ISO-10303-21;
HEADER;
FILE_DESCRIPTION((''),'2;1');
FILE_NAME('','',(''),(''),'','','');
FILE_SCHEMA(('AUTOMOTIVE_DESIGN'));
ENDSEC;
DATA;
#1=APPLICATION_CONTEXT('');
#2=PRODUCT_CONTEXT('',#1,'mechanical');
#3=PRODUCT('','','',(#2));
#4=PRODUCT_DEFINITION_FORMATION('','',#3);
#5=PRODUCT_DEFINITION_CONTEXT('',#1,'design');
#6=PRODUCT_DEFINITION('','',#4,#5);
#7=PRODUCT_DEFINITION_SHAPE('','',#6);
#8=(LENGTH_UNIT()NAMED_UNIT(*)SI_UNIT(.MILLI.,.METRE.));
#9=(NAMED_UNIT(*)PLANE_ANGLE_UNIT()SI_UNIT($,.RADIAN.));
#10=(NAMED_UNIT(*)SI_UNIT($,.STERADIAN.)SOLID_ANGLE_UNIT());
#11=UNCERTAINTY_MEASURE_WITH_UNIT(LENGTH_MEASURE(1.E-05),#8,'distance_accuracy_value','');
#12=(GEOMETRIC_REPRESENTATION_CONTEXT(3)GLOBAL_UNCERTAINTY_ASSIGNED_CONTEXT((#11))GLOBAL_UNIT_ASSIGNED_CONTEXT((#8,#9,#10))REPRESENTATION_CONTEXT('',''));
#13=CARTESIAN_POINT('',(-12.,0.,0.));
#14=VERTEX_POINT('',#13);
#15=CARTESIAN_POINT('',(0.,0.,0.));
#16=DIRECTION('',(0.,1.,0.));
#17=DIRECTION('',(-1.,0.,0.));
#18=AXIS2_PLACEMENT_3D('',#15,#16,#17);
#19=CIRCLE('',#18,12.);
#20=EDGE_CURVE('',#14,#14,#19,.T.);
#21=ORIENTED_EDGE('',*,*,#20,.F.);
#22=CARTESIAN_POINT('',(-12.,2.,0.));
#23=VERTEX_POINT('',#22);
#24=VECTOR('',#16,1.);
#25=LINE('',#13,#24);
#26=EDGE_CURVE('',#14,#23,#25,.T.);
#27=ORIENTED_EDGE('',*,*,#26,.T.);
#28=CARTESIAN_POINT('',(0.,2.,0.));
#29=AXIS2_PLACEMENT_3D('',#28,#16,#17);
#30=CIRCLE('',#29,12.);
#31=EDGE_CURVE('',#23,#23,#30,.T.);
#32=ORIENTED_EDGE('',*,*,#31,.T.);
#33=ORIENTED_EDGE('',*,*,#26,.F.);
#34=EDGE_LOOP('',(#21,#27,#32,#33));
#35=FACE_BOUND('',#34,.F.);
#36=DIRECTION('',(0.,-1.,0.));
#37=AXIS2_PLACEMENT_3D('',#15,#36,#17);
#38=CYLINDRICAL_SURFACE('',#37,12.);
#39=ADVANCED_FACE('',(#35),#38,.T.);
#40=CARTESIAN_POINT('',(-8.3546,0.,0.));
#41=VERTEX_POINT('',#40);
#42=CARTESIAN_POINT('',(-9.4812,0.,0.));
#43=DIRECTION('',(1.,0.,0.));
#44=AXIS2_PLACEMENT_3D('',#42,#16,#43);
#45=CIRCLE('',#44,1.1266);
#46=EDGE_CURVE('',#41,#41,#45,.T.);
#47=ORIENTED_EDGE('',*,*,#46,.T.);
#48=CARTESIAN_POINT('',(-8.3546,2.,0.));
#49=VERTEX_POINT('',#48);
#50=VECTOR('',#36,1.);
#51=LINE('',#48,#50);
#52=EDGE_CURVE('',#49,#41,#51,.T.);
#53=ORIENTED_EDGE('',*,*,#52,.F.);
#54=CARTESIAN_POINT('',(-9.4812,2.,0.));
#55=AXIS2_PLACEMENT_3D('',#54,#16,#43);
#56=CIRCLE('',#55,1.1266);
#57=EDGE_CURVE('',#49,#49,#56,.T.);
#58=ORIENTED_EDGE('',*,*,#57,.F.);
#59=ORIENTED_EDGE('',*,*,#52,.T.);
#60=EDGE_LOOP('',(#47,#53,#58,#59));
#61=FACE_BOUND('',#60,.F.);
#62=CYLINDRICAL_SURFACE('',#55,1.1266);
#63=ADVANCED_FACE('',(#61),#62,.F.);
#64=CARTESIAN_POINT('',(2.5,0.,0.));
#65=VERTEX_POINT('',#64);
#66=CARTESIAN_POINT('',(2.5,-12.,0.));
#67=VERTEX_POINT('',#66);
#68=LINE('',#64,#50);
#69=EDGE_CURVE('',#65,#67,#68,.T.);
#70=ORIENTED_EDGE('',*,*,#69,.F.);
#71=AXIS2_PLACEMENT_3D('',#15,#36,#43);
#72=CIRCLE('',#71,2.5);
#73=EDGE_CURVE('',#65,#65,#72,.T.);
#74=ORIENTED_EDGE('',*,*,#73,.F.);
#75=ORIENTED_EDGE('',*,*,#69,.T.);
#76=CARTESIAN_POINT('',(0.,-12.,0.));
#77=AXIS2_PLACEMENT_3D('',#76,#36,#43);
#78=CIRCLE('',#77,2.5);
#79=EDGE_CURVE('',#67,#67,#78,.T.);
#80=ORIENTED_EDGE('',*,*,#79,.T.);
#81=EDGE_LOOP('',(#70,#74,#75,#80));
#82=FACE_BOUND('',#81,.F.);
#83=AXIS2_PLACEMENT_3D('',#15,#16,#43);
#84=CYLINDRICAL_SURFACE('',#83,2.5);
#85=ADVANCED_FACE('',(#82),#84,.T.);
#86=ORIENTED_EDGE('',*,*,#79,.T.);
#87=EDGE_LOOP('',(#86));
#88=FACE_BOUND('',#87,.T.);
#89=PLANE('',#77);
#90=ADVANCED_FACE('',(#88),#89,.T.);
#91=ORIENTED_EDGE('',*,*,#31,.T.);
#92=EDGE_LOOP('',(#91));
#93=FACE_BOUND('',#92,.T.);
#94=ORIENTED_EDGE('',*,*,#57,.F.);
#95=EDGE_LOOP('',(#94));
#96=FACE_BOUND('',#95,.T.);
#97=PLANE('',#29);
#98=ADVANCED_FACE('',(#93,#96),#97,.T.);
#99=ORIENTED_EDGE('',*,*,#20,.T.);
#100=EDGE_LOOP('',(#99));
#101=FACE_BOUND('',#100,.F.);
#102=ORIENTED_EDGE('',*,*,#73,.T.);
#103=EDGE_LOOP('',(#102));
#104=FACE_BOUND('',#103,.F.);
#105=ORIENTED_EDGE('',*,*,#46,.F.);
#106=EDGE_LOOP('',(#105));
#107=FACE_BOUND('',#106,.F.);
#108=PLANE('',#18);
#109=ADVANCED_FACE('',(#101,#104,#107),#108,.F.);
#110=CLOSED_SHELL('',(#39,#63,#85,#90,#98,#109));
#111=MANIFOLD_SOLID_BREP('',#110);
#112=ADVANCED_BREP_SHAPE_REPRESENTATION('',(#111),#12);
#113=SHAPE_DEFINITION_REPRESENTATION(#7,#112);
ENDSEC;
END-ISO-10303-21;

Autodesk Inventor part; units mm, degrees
ref_plane "YZ Plane" through (0, 0, 0) normal (1, 0, 0) x (0, 1, 0)
ref_plane "XZ Plane" through (0, 0, 0) normal (0, 1, 0) x (-1, 0, 0)
ref_plane "XY Plane" through (0, 0, 0) normal (0, 0, 1) x (1, 0, 0)
sketch "Sketch1" plane through (0, 0, 0) normal (0, 1, 0) x (-1, 0, 0)
  circle A0 centre (0, 0) radius 12
  dimension "sa_diameter" = 24
extrude "Extrusion1" add sketch "Sketch1" along normal blind 2
sketch "Sketch2" plane through (0, 0, 0) normal (0, -1, 0) x (1, 0, 0)
  circle A0 centre (0, 0) radius 2.5
  dimension "d4" = 5
extrude "Extrusion2" add sketch "Sketch2" along normal blind 12
sketch "Sketch3" plane through (0, 2, 0) normal (0, 1, 0) x (1, 0, 0)
  circle A0 centre (-9.4812, 0) radius 1.1266
  point P0 (0, 0)
  dimension "d8" = 9.4812
  dimension "d9" = 2.2531
extrude "Extrusion3" cut sketch "Sketch3" against normal up to next
properties part number "Servo_arm"
